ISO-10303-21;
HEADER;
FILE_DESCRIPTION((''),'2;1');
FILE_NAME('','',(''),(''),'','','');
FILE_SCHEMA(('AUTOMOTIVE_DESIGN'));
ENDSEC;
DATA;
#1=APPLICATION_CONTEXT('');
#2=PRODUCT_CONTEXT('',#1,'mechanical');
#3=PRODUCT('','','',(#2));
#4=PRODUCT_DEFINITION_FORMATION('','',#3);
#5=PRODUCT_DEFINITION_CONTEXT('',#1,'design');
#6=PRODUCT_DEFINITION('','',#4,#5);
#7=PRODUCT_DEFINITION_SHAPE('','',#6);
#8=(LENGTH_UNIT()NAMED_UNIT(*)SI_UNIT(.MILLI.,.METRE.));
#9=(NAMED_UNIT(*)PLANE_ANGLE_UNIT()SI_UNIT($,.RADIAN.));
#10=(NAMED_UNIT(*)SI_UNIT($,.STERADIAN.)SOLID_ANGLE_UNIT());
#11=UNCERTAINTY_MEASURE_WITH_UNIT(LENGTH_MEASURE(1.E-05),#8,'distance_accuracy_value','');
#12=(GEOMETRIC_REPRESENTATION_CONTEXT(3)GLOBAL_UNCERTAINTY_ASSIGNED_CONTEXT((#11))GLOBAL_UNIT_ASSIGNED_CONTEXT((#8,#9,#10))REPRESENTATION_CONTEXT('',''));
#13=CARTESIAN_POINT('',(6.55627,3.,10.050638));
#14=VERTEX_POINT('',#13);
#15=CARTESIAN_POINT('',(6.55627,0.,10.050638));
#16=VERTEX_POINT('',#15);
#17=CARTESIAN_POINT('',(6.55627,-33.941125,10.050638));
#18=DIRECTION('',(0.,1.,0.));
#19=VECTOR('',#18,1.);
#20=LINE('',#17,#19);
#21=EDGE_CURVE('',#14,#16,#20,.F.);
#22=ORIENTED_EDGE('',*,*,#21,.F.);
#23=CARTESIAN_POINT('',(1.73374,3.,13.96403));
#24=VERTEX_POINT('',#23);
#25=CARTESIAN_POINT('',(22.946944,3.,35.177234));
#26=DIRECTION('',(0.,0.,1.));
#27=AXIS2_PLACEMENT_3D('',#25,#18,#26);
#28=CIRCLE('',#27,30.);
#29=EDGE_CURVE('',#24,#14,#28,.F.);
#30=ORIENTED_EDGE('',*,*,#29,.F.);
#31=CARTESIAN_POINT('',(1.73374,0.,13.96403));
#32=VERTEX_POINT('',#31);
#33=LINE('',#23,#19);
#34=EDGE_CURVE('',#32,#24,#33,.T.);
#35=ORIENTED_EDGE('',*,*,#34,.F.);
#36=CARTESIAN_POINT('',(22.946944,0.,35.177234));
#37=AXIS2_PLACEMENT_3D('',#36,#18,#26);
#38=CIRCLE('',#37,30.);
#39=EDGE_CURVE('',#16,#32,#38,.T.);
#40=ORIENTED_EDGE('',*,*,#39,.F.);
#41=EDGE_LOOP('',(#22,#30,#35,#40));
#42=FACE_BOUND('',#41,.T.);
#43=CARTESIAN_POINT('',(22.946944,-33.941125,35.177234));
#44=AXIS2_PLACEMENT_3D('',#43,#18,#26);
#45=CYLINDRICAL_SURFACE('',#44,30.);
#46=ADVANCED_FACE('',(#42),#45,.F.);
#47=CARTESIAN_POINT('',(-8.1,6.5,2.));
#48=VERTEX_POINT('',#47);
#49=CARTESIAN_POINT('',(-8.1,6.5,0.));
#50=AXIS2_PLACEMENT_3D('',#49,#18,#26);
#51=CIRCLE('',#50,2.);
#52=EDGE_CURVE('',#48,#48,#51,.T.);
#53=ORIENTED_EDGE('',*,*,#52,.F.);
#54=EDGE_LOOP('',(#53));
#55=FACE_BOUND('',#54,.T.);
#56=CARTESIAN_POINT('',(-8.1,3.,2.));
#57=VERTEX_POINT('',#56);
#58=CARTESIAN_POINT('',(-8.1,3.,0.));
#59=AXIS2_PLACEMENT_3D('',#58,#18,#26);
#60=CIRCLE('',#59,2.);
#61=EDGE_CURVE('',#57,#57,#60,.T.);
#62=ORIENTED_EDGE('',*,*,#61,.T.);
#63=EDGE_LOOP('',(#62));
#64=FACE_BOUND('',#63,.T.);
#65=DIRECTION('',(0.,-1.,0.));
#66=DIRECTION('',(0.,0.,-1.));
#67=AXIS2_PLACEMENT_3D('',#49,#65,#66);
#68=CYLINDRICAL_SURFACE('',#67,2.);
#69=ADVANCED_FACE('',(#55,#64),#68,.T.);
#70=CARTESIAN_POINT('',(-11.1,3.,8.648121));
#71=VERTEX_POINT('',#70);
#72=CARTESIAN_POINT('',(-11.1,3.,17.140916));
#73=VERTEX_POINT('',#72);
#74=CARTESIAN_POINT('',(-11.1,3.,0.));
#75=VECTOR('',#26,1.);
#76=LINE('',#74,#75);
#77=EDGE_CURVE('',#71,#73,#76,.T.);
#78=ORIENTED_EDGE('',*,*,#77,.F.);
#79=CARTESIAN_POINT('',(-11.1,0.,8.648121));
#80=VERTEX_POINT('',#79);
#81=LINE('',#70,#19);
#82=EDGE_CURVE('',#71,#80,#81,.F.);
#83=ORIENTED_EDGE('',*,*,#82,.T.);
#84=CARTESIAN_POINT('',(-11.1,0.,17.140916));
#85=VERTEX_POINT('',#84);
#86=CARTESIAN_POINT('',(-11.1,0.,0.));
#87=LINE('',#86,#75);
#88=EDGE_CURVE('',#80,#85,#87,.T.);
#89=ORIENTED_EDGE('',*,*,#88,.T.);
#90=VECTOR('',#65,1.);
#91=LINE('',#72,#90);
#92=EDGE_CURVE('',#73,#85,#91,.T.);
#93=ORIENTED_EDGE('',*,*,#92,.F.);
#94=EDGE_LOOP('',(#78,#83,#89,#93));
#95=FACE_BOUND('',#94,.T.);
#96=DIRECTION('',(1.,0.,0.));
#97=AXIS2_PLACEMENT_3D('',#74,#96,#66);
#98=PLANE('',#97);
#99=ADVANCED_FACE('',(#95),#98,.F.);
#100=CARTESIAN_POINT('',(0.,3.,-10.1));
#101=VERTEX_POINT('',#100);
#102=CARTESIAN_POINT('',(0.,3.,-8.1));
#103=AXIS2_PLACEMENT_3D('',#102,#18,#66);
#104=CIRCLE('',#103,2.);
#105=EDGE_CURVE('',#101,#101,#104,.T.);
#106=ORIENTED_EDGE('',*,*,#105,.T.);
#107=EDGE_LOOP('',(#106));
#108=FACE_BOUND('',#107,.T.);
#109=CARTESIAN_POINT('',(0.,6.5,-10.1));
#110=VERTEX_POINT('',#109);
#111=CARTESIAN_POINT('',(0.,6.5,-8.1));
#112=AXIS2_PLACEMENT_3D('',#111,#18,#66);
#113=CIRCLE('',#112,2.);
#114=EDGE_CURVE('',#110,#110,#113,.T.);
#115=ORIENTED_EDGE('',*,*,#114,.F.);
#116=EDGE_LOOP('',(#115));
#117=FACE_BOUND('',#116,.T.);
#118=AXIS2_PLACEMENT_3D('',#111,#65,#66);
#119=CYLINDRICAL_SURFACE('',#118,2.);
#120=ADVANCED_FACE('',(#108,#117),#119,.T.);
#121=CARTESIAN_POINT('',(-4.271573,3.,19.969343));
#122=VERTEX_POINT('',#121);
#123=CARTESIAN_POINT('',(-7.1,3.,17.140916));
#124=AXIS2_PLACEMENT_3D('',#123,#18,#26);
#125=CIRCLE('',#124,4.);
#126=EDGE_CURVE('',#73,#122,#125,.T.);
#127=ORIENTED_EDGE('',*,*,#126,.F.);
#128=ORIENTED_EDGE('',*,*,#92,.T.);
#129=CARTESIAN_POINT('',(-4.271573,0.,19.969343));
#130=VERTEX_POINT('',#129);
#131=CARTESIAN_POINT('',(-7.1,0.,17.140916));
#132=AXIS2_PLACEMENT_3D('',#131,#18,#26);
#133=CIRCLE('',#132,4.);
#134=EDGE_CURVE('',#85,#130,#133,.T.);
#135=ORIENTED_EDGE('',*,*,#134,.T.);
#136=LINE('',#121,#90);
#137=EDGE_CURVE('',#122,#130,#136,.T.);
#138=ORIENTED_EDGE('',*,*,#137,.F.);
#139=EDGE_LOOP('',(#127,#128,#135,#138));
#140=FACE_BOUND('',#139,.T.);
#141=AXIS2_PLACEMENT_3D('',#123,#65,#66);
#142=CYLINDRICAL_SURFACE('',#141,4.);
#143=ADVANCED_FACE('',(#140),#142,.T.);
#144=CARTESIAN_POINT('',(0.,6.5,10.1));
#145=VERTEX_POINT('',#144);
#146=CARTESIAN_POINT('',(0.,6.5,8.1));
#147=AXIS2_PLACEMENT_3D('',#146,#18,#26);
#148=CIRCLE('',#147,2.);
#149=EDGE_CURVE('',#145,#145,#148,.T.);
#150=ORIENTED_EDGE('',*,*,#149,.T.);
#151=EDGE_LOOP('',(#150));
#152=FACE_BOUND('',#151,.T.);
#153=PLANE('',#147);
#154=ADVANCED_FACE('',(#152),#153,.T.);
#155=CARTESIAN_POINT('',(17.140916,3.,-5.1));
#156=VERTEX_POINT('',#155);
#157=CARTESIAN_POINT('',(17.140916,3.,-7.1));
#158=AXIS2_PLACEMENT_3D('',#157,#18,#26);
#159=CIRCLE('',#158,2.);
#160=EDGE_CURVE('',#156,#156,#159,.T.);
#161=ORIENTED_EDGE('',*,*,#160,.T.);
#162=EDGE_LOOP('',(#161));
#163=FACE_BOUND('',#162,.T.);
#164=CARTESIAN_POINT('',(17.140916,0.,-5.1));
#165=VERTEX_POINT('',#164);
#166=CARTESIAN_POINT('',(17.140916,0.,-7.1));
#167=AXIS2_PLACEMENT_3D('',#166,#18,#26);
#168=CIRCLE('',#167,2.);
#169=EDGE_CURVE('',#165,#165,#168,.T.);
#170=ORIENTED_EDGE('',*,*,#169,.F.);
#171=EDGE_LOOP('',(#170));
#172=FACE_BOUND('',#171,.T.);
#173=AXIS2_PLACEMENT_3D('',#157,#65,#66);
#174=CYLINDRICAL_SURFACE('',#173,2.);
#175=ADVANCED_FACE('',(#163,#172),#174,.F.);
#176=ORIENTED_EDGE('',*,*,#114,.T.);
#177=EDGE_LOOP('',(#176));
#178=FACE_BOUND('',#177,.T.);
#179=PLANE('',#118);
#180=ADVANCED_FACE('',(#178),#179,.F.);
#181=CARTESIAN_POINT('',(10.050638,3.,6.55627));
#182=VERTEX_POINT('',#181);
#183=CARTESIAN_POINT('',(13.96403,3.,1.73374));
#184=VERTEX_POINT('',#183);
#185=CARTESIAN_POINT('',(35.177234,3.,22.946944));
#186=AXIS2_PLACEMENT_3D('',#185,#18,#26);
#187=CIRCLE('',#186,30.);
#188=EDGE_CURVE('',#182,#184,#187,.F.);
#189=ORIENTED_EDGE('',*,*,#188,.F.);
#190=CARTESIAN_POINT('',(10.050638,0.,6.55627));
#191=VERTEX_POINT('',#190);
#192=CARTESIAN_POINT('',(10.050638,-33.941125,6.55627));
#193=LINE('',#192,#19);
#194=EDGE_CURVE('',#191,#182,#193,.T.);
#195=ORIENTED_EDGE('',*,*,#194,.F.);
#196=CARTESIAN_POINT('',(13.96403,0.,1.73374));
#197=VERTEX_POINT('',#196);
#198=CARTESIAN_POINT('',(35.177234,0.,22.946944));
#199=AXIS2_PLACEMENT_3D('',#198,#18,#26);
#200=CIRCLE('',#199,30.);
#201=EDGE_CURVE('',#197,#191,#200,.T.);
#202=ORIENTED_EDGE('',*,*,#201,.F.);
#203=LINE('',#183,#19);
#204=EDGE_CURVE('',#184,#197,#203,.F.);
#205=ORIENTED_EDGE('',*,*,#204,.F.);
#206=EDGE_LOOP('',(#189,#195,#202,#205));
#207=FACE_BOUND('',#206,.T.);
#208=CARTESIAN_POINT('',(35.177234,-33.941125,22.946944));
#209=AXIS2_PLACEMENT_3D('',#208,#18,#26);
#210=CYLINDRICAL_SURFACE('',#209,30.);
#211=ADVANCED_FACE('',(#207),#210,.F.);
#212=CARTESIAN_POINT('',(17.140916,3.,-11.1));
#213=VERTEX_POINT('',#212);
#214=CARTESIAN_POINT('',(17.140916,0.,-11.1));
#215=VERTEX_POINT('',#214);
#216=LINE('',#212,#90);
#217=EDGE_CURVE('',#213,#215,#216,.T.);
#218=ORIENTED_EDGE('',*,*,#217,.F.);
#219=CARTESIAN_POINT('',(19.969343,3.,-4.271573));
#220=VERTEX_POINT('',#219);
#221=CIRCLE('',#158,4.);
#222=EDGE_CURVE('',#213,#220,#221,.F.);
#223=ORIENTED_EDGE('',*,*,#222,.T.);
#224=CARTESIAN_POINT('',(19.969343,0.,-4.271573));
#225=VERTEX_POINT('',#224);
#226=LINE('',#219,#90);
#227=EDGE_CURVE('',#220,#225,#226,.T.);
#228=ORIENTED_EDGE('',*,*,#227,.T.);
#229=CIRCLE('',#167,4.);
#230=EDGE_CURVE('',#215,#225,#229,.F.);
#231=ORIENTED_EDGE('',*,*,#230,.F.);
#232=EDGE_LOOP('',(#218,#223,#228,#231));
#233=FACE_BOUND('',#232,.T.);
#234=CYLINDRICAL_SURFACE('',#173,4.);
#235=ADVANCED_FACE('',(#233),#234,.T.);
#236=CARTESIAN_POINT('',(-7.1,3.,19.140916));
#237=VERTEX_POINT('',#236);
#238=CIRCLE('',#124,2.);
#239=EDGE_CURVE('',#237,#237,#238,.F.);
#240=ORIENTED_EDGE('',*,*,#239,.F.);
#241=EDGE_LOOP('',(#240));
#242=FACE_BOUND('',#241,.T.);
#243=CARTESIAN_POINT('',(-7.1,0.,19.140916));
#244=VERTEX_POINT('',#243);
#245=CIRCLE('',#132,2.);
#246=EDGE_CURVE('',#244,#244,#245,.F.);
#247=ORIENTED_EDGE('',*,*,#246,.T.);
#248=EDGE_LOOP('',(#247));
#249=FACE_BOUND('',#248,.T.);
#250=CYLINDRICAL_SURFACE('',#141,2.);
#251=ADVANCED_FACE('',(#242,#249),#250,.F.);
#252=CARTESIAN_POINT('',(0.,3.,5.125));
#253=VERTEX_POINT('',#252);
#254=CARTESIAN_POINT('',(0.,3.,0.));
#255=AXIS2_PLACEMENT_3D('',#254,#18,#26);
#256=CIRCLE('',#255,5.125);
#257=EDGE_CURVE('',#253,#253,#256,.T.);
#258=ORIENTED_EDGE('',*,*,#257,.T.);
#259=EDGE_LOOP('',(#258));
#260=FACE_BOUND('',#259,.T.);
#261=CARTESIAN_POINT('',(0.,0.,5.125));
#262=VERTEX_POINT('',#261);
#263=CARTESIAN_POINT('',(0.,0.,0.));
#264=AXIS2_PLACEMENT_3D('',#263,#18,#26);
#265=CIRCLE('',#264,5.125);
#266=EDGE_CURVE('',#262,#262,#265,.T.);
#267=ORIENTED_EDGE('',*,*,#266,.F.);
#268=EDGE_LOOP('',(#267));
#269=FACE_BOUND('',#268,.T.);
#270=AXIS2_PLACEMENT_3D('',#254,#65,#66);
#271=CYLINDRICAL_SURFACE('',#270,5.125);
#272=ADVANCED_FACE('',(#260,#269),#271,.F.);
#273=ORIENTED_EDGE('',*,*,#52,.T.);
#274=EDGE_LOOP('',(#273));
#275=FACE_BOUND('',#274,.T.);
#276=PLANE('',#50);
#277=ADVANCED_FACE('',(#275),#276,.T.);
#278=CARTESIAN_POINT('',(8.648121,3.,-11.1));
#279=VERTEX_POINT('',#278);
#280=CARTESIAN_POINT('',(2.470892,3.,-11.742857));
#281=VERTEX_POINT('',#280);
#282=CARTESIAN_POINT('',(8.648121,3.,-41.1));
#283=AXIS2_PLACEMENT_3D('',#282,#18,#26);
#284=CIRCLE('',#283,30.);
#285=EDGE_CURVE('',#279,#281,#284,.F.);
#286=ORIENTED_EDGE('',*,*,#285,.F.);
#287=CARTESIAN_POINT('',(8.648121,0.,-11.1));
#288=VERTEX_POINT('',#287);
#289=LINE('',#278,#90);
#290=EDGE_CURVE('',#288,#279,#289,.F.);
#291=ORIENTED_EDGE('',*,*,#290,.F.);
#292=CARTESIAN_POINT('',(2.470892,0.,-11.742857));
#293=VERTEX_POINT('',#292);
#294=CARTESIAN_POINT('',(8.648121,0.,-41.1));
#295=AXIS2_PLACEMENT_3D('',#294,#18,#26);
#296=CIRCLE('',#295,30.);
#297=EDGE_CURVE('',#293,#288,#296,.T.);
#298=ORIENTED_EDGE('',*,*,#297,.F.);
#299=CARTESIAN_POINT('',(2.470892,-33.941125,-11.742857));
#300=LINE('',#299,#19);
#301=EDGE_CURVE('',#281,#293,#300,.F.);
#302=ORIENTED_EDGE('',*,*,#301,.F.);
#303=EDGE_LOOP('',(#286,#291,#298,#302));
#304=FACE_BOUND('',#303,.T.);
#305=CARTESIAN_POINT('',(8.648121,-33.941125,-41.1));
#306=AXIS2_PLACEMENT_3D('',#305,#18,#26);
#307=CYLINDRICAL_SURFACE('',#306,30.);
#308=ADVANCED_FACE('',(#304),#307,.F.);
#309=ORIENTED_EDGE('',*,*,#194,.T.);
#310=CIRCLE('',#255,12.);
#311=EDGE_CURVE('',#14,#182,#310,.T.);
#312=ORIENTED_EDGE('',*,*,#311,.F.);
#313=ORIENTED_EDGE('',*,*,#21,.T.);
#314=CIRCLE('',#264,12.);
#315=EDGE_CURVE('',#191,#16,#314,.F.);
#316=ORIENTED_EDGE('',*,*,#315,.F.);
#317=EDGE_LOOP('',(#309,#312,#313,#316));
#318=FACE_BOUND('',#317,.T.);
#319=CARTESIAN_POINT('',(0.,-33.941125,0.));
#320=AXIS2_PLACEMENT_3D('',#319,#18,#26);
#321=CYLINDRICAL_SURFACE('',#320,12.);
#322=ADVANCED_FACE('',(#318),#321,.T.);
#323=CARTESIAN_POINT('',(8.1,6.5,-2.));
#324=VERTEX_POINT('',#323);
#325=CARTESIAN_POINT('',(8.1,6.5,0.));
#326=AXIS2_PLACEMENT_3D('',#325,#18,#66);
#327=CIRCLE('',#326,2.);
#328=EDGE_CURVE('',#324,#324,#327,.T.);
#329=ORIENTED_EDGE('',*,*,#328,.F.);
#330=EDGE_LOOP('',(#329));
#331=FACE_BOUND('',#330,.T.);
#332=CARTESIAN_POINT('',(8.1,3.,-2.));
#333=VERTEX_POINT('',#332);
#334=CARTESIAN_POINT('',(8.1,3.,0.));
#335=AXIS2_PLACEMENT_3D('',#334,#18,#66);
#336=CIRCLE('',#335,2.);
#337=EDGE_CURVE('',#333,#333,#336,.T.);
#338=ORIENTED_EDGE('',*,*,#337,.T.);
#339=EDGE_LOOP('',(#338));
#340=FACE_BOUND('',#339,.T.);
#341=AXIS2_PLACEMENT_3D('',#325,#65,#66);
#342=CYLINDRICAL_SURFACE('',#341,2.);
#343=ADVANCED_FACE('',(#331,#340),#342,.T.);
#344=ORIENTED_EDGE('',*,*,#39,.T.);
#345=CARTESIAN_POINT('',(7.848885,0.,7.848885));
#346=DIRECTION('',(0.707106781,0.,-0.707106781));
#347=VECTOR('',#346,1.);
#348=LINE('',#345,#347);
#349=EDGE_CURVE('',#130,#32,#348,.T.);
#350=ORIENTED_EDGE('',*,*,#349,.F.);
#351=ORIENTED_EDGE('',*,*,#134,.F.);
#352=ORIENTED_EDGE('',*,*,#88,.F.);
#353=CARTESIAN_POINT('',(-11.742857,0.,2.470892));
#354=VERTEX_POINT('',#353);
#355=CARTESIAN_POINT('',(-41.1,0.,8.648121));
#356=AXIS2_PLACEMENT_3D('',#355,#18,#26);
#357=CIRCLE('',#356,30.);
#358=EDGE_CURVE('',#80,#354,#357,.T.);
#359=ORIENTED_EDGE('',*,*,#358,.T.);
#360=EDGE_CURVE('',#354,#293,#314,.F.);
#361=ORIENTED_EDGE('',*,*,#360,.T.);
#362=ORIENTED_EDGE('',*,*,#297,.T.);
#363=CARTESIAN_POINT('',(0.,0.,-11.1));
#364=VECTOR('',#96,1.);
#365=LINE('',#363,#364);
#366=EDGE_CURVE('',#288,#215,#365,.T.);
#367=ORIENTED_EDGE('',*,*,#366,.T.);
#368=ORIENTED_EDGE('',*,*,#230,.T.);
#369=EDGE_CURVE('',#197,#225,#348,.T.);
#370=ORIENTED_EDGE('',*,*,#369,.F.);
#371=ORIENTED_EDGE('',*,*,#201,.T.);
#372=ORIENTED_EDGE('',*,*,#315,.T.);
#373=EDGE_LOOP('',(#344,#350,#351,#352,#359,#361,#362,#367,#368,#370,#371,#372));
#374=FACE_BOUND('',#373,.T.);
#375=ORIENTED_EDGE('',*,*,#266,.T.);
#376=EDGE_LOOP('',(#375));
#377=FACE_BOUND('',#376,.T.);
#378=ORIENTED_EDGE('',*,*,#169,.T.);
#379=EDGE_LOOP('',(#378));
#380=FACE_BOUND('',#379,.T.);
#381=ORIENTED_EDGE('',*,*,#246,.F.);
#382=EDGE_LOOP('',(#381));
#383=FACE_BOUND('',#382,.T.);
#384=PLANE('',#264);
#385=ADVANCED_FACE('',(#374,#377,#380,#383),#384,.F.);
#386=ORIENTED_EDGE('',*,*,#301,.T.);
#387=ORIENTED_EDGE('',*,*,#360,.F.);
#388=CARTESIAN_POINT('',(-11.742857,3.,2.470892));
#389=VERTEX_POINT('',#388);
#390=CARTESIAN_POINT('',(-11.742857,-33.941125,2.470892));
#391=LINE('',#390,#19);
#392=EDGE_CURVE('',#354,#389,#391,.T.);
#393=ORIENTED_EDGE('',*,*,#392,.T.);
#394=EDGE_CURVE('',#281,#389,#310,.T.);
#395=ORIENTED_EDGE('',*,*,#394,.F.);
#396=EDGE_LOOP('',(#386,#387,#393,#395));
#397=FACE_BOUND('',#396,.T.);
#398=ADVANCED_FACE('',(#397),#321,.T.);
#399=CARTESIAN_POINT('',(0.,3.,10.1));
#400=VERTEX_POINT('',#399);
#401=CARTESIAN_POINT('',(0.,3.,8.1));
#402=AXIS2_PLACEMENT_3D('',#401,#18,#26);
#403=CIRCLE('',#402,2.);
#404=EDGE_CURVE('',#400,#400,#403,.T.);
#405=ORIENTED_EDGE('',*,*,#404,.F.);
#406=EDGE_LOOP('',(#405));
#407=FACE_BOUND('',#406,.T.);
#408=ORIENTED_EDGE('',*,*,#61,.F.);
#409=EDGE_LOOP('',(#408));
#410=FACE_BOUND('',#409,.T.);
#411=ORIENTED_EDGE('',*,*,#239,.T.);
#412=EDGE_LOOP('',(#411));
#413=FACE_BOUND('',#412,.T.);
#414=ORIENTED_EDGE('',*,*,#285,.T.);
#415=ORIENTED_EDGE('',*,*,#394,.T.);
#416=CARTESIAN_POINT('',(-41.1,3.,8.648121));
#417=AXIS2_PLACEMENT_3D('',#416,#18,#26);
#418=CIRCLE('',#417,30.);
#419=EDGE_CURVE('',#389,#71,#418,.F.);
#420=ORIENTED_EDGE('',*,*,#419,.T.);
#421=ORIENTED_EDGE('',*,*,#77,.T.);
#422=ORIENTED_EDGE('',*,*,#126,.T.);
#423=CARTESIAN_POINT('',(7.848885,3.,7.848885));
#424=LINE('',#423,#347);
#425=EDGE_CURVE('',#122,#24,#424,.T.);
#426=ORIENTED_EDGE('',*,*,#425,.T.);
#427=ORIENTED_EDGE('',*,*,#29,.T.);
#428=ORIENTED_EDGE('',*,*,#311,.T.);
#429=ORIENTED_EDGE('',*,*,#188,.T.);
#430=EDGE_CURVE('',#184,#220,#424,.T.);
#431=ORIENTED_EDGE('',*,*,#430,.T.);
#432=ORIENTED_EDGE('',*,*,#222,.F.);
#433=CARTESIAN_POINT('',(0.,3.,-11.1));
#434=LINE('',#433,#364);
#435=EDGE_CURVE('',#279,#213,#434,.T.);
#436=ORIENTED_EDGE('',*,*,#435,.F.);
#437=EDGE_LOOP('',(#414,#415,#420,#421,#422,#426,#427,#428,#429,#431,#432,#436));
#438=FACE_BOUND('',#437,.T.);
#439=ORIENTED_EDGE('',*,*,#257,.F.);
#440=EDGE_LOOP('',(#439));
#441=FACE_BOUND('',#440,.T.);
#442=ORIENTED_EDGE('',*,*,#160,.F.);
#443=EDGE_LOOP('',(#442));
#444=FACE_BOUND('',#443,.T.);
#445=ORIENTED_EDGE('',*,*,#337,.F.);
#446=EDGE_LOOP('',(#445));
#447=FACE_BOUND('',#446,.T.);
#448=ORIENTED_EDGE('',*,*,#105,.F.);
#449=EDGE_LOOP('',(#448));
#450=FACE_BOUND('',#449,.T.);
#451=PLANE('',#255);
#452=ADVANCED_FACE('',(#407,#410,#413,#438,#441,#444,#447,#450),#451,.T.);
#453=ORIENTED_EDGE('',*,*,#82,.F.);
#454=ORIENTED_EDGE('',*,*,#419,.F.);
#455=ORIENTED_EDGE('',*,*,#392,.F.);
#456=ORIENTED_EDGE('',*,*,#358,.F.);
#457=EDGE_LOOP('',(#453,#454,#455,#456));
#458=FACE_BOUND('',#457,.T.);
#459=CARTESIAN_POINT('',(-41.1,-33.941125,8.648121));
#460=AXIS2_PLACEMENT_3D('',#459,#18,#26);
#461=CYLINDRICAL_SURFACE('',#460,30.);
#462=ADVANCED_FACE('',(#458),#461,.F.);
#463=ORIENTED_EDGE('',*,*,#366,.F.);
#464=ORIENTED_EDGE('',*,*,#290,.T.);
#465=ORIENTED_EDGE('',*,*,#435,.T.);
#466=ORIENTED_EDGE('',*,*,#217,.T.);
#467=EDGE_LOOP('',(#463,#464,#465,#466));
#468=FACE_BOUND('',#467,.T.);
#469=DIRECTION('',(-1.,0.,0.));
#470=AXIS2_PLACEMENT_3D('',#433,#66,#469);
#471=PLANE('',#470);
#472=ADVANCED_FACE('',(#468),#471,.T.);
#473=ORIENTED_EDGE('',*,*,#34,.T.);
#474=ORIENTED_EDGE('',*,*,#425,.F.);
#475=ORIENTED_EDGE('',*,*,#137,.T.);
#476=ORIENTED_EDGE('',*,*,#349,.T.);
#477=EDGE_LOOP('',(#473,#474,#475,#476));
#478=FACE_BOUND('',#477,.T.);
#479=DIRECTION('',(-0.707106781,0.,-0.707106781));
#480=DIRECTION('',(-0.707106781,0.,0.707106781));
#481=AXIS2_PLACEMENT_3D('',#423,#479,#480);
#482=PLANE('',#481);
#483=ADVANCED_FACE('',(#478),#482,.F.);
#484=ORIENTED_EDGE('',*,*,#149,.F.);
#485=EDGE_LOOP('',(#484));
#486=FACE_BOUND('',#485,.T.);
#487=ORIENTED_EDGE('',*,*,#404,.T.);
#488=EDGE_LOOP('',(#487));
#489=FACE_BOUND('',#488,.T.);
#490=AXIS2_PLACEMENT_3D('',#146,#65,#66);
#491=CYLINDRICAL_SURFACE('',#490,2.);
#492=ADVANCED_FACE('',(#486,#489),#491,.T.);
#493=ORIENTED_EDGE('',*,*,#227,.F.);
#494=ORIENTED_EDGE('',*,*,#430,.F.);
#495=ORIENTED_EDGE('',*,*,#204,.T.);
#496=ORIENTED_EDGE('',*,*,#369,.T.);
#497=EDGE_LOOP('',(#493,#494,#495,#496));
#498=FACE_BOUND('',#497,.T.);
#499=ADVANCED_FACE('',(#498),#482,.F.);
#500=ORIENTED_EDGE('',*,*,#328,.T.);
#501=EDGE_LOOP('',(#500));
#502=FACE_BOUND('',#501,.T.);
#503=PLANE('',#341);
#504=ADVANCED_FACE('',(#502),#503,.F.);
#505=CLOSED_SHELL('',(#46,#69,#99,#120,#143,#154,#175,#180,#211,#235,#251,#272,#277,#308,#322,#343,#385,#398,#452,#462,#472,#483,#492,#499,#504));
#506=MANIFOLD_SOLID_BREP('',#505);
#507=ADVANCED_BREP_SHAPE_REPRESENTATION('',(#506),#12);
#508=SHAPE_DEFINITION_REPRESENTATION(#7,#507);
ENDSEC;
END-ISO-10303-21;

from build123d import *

# Parameters (mm, degrees)
SKETCH1_R           = 2
SKETCH1_R_2         = 5.125
BOSS_EXTRUDE2_DEPTH = 3
SKETCH2_R           = 2
BOSS_EXTRUDE3_DEPTH = 3.5
BOSS_EXTRUDE4_START = -3
SKETCH3_R           = 12
SKETCH3_R_2         = 11.1
BOSS_EXTRUDE4_DEPTH = 3
FILLET1_R           = 30


with BuildPart() as part:
    # Sketch1 → Boss-Extrude2 (new body)
    with BuildSketch(Plane(origin=(0, 0, 0), x_dir=(1, 0, 0), z_dir=(0, 1, 0))):
        with BuildLine():
            Line((0, 11.1), (17.140916293, 11.1))
            ThreePointArc((17.140916293, 11.1), (20.836434423, 8.630733729), (19.969343418, 4.271572875))
            Line((19.969343418, 4.271572875), (-4.271572875, -19.969343418))
            ThreePointArc((-4.271572875, -19.969343418), (-8.630733729, -20.836434423), (-11.1, -17.140916293))
            Line((-11.1, -17.140916293), (-11.1, 0))
            ThreePointArc((-11.1, 0), (-7.848885271, 7.848885271), (0, 11.1))
        make_face()
        with Locations(Location((17.140916293, 7.1, 0), (0, 0, 270))):
            Circle(SKETCH1_R, mode=Mode.SUBTRACT)
        with Locations(Location((-7.1, -17.140916293, 0), (0, 0, 270))):
            Circle(SKETCH1_R, mode=Mode.SUBTRACT)
        with Locations(Location((0, 0, 0), (0, 0, 270))):
            Circle(SKETCH1_R_2, mode=Mode.SUBTRACT)
    extrude(amount=BOSS_EXTRUDE2_DEPTH)

    # Sketch2 → Boss-Extrude3 (add)
    with BuildSketch(Plane(origin=(0, 3, 0), x_dir=(1, 0, 0), z_dir=(0, 1, 0))):
        with Locations(Location((0, -8.1, 0), (0, 0, 270))):
            Circle(SKETCH2_R)
        with Locations(Location((0, 8.1, 0), (0, 0, 90))):
            Circle(SKETCH2_R)
        with Locations(Location((8.1, 0, 0), (0, 0, 90))):
            Circle(SKETCH2_R)
        with Locations(Location((-8.1, 0, 0), (0, 0, 270))):
            Circle(SKETCH2_R)
    extrude(amount=BOSS_EXTRUDE3_DEPTH)

    # Sketch3 → Boss-Extrude4 (add)
    with BuildSketch(Plane(origin=(0, 3, 0), x_dir=(1, 0, 0), z_dir=(0, 1, 0)).offset(BOSS_EXTRUDE4_START)):
        Circle(SKETCH3_R)
        Circle(SKETCH3_R_2, mode=Mode.SUBTRACT)
    extrude(amount=BOSS_EXTRUDE4_DEPTH)

    # Fillet1
    fillet1_edges = [part.edges().sort_by_distance(p)[0] for p in [
        (4.559605246, 1.5, -11.1),
        (-11.1, 1.5, 4.559605246),
        (4.624757482, 1.5, 11.07301306),
        (11.07301306, 1.5, 4.624757482),
    ]]
    fillet(fillet1_edges, radius=FILLET1_R)


solid = part.part
